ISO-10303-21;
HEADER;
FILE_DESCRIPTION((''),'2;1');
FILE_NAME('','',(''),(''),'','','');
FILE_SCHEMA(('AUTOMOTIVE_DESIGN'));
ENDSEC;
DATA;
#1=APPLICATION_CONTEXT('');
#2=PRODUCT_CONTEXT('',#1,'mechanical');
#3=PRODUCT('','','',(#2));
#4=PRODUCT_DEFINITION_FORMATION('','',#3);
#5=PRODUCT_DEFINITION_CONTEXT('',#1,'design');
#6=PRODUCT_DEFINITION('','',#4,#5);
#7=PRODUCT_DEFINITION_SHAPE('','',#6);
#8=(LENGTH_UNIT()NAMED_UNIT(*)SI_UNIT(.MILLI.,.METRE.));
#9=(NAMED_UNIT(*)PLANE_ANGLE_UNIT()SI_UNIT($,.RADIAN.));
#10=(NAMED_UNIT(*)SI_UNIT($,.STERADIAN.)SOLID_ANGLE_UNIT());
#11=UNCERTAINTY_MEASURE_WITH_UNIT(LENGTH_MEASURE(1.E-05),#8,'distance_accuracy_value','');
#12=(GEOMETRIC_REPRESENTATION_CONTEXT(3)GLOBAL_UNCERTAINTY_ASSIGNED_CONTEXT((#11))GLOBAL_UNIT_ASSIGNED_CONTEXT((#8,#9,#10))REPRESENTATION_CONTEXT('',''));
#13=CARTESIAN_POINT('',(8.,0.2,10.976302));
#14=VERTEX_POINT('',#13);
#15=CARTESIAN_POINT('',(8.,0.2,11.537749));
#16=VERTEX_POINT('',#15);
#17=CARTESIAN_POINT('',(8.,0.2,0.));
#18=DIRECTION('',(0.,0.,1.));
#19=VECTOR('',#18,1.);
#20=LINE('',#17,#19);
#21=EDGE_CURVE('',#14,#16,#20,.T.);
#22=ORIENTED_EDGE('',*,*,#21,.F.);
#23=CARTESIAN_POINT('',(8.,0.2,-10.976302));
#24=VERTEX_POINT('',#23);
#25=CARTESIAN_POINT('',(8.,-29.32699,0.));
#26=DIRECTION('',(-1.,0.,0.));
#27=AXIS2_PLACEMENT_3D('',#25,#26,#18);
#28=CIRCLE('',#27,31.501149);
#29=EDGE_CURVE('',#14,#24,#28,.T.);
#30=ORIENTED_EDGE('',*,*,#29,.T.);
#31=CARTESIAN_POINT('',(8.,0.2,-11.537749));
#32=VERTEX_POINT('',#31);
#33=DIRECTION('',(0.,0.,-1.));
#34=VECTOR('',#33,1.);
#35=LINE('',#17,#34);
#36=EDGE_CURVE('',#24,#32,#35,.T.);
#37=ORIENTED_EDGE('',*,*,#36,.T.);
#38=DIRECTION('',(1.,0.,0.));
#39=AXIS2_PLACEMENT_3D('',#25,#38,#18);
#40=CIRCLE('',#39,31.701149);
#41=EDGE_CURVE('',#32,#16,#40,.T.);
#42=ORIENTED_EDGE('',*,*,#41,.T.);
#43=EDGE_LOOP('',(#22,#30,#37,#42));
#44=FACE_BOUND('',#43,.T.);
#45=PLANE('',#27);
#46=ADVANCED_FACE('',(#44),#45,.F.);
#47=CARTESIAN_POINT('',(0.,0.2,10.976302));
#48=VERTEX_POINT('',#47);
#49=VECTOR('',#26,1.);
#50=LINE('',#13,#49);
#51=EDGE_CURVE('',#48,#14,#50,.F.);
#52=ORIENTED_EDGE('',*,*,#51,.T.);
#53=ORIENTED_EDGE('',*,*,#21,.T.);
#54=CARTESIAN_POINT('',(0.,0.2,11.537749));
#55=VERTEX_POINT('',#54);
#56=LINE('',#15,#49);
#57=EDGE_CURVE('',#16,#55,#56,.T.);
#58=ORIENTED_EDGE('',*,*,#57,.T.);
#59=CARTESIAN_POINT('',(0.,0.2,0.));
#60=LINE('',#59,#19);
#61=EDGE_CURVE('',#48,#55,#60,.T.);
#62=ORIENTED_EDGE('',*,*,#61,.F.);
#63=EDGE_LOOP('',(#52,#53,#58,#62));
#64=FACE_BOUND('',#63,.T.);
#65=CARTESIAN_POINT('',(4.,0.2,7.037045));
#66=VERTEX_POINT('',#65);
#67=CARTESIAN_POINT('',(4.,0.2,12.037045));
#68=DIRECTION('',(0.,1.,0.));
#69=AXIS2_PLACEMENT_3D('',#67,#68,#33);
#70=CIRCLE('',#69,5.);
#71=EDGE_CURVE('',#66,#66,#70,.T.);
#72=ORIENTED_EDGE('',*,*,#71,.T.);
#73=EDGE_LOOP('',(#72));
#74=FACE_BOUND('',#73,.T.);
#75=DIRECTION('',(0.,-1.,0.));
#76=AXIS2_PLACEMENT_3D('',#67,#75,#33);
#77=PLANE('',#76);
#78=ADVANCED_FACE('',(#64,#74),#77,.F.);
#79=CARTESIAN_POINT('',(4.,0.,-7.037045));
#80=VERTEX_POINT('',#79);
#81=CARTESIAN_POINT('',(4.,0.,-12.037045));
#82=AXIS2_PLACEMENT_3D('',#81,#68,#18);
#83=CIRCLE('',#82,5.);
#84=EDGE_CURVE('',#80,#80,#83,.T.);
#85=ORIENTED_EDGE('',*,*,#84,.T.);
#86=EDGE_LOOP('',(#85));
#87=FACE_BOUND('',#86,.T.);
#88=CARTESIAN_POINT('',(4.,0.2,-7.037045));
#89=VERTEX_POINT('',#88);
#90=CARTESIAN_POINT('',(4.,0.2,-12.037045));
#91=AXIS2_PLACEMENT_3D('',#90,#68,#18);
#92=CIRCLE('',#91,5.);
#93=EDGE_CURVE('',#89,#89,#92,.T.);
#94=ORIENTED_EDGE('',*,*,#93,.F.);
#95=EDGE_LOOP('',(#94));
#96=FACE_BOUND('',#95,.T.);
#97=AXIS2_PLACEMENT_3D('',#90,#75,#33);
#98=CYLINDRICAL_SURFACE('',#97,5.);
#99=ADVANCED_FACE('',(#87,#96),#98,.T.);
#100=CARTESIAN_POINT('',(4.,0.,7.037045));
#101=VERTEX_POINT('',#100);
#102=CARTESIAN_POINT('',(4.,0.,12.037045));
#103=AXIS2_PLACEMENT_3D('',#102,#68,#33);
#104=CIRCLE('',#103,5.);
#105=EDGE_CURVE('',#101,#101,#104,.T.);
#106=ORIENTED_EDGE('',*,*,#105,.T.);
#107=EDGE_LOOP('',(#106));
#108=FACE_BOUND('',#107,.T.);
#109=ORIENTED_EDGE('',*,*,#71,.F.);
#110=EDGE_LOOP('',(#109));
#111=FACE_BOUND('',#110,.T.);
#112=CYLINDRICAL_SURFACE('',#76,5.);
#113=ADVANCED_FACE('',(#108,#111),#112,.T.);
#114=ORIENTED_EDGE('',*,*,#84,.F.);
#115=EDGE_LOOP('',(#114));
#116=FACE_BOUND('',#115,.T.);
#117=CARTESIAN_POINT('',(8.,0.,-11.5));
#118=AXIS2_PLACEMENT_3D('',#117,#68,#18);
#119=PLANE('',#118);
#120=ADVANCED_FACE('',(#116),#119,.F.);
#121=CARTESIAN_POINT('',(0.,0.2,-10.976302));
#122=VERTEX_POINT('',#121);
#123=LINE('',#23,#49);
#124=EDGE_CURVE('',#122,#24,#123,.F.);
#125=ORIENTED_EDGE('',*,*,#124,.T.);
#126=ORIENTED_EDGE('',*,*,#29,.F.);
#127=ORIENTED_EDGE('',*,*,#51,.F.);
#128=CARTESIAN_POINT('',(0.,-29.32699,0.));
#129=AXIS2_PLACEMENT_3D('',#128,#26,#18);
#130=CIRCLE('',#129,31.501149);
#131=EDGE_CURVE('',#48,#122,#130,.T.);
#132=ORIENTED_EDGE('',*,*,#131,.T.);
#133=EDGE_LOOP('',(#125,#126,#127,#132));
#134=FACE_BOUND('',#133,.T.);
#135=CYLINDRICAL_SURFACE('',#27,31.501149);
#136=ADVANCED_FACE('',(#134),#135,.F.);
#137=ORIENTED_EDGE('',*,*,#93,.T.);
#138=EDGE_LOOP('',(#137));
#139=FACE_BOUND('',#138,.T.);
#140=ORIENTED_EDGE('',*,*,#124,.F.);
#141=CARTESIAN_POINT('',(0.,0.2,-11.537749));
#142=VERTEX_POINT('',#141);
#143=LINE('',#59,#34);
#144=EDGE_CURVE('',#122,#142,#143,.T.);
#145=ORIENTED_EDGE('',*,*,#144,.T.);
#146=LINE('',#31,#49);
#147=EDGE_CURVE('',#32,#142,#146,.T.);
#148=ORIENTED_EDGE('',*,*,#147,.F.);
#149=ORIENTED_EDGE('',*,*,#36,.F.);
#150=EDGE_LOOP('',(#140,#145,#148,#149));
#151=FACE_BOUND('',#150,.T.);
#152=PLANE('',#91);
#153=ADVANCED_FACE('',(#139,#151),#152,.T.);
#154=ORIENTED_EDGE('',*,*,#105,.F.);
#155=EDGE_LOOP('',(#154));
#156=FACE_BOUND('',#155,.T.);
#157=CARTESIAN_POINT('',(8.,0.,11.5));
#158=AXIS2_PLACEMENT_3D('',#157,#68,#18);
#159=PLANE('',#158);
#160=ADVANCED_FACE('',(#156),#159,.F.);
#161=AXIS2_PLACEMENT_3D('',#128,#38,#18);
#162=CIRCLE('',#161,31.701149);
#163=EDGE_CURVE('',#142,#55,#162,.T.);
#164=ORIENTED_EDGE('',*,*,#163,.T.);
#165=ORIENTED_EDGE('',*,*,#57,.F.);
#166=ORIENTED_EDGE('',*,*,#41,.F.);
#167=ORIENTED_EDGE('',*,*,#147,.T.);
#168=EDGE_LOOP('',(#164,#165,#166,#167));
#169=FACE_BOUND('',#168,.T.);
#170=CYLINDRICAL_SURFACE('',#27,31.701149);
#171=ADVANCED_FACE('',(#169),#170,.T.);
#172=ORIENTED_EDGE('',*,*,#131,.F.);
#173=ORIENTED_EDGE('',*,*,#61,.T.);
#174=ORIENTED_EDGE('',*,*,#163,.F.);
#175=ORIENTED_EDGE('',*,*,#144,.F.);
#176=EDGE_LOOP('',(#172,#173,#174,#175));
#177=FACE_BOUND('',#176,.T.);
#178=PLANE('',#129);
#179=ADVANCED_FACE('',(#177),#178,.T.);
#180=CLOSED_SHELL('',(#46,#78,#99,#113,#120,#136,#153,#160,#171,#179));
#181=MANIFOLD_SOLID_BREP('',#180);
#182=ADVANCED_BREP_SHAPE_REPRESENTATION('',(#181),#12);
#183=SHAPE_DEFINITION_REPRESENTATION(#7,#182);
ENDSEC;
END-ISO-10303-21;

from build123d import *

# Parameters (mm, degrees)
BOSS_EXTRUDE1_DEPTH = 8
SKETCH2_R           = 5
BOSS_EXTRUDE2_DEPTH = 0.2


with BuildPart() as part:
    # Sketch1 → Boss-Extrude1 (new body)
    with BuildSketch(Plane(origin=(0, 0, 0), x_dir=(0, 0, -1), z_dir=(1, 0, 0))):
        with BuildLine():
            Line((-11.5, 0), (-12.037045295, 0))
            ThreePointArc((-12.037045295, 0), (0, 2.374158249), (12.037045295, 0))
            Line((12.037045295, 0), (11.5, 0))
            ThreePointArc((11.5, 0), (0, 2.174158249), (-11.5, 0))
        make_face()
    extrude(amount=BOSS_EXTRUDE1_DEPTH)

    # Sketch2 → Boss-Extrude2 (add)
    with BuildSketch(Plane(origin=(0, 0, 0), x_dir=(1, 0, 0), z_dir=(0, 1, 0))):
        with Locations(Location((4, 12.037045295, 0), (0, 0, 270))):
            Circle(SKETCH2_R)
        with Locations(Location((4, -12.037045295, 0), (0, 0, 90))):
            Circle(SKETCH2_R)
    extrude(amount=BOSS_EXTRUDE2_DEPTH)


solid = part.part
